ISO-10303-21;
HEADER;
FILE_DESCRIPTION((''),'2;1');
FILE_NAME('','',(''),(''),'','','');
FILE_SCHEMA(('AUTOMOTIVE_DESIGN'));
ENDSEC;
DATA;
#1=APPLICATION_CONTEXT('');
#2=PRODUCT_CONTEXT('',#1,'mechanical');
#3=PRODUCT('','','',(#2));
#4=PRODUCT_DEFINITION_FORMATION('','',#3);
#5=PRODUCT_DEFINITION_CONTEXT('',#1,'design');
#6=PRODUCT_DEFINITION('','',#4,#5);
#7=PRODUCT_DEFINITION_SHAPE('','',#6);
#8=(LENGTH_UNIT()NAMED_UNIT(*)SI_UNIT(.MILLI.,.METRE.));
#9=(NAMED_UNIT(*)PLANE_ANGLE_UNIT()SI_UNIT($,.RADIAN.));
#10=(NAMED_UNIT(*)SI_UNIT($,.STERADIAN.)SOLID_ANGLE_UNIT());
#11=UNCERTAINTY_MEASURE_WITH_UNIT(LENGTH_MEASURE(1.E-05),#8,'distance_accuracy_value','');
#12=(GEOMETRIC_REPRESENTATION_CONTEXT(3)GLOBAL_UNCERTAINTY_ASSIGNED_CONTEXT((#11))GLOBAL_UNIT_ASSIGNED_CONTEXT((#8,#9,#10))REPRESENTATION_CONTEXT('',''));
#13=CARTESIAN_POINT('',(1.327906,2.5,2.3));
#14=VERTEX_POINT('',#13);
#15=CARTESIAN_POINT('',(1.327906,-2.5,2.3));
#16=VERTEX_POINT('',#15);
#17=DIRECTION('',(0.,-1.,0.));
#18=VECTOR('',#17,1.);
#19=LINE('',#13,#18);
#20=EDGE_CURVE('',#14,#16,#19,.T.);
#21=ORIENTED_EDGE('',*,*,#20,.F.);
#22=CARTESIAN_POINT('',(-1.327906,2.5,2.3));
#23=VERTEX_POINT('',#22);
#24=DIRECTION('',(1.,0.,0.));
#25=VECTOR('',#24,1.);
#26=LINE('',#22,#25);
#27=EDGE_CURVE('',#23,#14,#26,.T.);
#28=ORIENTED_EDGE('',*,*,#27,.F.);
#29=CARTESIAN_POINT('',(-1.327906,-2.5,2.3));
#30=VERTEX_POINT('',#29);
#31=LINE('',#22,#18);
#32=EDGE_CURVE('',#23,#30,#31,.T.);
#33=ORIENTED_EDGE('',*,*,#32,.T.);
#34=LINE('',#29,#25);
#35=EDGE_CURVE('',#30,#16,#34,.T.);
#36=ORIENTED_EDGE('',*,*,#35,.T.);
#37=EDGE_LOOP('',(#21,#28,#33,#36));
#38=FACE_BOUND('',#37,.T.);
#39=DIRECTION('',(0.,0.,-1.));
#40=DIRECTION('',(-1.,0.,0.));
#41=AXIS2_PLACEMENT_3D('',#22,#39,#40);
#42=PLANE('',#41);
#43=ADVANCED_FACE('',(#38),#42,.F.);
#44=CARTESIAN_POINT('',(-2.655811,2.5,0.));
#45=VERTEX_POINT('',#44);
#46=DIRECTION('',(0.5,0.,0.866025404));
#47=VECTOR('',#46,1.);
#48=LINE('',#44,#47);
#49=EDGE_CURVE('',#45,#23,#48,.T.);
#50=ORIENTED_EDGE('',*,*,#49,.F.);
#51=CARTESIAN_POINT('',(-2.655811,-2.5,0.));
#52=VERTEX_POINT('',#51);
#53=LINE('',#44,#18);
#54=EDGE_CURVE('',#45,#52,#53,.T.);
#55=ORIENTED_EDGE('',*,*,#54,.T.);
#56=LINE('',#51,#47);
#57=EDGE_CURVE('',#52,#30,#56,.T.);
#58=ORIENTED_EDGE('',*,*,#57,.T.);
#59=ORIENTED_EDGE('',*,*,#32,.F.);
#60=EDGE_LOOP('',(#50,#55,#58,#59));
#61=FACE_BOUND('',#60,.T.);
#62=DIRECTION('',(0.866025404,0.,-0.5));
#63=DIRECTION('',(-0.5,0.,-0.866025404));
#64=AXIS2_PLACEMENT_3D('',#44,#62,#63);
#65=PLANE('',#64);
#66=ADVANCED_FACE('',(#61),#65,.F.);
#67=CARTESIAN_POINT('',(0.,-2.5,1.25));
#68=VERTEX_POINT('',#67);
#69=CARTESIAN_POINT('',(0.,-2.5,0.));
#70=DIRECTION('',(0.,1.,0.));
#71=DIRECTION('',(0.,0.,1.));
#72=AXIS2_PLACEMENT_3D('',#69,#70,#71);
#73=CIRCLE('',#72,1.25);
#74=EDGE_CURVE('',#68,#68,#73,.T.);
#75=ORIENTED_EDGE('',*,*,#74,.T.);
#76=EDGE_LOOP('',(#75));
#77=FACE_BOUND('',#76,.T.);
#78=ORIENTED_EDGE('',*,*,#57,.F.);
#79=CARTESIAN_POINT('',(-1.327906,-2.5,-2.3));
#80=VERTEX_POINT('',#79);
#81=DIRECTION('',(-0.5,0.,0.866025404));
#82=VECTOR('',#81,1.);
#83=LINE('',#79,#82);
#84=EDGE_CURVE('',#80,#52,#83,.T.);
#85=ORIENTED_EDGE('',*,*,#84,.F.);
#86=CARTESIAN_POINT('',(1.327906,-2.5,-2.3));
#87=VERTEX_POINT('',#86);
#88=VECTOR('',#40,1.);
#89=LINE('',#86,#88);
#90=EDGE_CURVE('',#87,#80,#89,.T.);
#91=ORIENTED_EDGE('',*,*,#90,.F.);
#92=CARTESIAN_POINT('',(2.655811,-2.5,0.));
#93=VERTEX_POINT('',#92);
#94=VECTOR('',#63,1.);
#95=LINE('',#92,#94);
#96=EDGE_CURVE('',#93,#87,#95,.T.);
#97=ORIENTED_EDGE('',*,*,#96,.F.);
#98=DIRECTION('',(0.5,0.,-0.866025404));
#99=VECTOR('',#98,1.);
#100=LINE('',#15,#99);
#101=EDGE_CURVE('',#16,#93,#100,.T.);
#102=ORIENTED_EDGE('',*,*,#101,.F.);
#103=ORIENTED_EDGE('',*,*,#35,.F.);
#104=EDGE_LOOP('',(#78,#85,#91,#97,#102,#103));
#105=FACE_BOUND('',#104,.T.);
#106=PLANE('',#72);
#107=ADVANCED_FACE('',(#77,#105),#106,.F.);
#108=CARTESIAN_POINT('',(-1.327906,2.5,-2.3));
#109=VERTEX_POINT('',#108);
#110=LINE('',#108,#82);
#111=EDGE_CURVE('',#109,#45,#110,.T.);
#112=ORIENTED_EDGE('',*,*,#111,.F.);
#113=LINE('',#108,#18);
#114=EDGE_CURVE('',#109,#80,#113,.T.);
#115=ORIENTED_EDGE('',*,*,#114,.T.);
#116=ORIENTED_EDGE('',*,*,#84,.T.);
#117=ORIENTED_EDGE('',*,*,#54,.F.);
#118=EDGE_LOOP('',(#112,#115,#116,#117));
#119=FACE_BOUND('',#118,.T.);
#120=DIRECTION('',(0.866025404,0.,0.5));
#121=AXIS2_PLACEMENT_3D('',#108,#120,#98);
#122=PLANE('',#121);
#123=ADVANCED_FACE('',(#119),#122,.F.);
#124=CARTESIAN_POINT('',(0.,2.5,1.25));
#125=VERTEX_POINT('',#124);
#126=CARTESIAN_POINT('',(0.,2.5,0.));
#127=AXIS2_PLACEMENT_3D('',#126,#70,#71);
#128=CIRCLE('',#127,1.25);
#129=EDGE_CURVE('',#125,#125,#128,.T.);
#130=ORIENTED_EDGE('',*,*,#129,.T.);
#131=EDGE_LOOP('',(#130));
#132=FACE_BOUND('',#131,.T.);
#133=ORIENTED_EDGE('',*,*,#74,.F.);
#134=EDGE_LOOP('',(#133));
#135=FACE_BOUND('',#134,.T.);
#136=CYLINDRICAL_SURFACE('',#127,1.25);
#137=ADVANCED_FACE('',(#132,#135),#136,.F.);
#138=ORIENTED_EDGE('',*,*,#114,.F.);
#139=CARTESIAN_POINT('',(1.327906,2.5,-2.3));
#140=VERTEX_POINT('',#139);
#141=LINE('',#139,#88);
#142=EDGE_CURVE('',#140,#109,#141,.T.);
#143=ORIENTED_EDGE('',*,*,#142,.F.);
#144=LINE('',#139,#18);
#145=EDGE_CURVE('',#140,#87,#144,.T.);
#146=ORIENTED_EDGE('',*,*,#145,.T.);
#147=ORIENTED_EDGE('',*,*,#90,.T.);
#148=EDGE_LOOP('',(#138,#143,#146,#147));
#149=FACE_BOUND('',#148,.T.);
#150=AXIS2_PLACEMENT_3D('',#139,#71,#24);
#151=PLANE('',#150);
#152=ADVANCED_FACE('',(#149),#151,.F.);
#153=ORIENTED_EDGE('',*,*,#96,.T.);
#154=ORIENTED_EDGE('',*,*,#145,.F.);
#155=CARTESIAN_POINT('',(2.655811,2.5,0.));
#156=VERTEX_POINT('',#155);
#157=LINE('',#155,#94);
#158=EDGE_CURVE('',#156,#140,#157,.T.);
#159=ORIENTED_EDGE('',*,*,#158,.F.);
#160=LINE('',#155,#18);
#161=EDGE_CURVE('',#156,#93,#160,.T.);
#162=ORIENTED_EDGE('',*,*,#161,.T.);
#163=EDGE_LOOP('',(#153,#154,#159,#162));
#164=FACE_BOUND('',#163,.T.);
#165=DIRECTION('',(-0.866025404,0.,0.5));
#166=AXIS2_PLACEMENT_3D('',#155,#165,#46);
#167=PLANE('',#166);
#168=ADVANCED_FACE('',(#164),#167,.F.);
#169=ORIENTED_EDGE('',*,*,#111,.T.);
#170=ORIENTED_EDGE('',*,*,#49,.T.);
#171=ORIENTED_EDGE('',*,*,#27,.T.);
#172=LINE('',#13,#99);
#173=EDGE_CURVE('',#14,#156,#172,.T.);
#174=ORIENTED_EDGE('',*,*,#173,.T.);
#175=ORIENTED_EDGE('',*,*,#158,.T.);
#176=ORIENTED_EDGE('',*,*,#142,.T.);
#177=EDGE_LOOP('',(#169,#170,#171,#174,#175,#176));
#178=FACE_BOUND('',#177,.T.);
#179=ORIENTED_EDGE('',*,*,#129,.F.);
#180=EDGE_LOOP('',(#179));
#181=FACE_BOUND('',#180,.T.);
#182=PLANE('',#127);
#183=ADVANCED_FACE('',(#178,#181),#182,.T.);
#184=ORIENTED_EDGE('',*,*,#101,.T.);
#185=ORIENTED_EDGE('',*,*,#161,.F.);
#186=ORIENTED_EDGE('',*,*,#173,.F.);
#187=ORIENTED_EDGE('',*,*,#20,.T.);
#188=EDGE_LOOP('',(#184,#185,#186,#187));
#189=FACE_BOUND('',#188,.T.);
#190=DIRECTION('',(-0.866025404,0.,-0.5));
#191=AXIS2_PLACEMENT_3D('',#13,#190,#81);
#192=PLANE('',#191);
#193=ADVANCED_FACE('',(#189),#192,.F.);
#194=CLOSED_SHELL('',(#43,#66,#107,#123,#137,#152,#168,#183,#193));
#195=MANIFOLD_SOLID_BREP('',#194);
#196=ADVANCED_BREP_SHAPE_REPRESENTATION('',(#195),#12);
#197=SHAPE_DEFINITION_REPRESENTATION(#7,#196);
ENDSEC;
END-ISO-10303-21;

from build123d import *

# Parameters (mm, degrees)
EXTRUDE_1_DEPTH = 2.5
SKETCH_3_W      = 1.25
SKETCH_3_H      = 5.001


with BuildPart() as part:
    # 草图1 → 凸台-拉伸1 (new, symmetric)
    with BuildSketch(Plane(origin=(0, 0, 0), x_dir=(1, 0, 0), z_dir=(0, 1, 0))):
        Polygon((1.327905619, -2.3), (2.655811238, 0), (1.327905619, 2.3), (-1.327905619, 2.3), (-2.655811238, 0), (-1.327905619, -2.3), align=None)
    extrude(amount=EXTRUDE_1_DEPTH, both=True)

    # 草图3 → M3 螺纹孔1 (revolve, cut)
    with BuildSketch(Plane(origin=(0, 2.5, 0), x_dir=(0, 0, 1), z_dir=(1, 0, 0))):
        with Locations((0.625, 2.5005)):
            Rectangle(SKETCH_3_W, SKETCH_3_H)
    revolve(axis=Axis((0, 8.85, 0), (0, -1, 0)), mode=Mode.SUBTRACT)


solid = part.part
